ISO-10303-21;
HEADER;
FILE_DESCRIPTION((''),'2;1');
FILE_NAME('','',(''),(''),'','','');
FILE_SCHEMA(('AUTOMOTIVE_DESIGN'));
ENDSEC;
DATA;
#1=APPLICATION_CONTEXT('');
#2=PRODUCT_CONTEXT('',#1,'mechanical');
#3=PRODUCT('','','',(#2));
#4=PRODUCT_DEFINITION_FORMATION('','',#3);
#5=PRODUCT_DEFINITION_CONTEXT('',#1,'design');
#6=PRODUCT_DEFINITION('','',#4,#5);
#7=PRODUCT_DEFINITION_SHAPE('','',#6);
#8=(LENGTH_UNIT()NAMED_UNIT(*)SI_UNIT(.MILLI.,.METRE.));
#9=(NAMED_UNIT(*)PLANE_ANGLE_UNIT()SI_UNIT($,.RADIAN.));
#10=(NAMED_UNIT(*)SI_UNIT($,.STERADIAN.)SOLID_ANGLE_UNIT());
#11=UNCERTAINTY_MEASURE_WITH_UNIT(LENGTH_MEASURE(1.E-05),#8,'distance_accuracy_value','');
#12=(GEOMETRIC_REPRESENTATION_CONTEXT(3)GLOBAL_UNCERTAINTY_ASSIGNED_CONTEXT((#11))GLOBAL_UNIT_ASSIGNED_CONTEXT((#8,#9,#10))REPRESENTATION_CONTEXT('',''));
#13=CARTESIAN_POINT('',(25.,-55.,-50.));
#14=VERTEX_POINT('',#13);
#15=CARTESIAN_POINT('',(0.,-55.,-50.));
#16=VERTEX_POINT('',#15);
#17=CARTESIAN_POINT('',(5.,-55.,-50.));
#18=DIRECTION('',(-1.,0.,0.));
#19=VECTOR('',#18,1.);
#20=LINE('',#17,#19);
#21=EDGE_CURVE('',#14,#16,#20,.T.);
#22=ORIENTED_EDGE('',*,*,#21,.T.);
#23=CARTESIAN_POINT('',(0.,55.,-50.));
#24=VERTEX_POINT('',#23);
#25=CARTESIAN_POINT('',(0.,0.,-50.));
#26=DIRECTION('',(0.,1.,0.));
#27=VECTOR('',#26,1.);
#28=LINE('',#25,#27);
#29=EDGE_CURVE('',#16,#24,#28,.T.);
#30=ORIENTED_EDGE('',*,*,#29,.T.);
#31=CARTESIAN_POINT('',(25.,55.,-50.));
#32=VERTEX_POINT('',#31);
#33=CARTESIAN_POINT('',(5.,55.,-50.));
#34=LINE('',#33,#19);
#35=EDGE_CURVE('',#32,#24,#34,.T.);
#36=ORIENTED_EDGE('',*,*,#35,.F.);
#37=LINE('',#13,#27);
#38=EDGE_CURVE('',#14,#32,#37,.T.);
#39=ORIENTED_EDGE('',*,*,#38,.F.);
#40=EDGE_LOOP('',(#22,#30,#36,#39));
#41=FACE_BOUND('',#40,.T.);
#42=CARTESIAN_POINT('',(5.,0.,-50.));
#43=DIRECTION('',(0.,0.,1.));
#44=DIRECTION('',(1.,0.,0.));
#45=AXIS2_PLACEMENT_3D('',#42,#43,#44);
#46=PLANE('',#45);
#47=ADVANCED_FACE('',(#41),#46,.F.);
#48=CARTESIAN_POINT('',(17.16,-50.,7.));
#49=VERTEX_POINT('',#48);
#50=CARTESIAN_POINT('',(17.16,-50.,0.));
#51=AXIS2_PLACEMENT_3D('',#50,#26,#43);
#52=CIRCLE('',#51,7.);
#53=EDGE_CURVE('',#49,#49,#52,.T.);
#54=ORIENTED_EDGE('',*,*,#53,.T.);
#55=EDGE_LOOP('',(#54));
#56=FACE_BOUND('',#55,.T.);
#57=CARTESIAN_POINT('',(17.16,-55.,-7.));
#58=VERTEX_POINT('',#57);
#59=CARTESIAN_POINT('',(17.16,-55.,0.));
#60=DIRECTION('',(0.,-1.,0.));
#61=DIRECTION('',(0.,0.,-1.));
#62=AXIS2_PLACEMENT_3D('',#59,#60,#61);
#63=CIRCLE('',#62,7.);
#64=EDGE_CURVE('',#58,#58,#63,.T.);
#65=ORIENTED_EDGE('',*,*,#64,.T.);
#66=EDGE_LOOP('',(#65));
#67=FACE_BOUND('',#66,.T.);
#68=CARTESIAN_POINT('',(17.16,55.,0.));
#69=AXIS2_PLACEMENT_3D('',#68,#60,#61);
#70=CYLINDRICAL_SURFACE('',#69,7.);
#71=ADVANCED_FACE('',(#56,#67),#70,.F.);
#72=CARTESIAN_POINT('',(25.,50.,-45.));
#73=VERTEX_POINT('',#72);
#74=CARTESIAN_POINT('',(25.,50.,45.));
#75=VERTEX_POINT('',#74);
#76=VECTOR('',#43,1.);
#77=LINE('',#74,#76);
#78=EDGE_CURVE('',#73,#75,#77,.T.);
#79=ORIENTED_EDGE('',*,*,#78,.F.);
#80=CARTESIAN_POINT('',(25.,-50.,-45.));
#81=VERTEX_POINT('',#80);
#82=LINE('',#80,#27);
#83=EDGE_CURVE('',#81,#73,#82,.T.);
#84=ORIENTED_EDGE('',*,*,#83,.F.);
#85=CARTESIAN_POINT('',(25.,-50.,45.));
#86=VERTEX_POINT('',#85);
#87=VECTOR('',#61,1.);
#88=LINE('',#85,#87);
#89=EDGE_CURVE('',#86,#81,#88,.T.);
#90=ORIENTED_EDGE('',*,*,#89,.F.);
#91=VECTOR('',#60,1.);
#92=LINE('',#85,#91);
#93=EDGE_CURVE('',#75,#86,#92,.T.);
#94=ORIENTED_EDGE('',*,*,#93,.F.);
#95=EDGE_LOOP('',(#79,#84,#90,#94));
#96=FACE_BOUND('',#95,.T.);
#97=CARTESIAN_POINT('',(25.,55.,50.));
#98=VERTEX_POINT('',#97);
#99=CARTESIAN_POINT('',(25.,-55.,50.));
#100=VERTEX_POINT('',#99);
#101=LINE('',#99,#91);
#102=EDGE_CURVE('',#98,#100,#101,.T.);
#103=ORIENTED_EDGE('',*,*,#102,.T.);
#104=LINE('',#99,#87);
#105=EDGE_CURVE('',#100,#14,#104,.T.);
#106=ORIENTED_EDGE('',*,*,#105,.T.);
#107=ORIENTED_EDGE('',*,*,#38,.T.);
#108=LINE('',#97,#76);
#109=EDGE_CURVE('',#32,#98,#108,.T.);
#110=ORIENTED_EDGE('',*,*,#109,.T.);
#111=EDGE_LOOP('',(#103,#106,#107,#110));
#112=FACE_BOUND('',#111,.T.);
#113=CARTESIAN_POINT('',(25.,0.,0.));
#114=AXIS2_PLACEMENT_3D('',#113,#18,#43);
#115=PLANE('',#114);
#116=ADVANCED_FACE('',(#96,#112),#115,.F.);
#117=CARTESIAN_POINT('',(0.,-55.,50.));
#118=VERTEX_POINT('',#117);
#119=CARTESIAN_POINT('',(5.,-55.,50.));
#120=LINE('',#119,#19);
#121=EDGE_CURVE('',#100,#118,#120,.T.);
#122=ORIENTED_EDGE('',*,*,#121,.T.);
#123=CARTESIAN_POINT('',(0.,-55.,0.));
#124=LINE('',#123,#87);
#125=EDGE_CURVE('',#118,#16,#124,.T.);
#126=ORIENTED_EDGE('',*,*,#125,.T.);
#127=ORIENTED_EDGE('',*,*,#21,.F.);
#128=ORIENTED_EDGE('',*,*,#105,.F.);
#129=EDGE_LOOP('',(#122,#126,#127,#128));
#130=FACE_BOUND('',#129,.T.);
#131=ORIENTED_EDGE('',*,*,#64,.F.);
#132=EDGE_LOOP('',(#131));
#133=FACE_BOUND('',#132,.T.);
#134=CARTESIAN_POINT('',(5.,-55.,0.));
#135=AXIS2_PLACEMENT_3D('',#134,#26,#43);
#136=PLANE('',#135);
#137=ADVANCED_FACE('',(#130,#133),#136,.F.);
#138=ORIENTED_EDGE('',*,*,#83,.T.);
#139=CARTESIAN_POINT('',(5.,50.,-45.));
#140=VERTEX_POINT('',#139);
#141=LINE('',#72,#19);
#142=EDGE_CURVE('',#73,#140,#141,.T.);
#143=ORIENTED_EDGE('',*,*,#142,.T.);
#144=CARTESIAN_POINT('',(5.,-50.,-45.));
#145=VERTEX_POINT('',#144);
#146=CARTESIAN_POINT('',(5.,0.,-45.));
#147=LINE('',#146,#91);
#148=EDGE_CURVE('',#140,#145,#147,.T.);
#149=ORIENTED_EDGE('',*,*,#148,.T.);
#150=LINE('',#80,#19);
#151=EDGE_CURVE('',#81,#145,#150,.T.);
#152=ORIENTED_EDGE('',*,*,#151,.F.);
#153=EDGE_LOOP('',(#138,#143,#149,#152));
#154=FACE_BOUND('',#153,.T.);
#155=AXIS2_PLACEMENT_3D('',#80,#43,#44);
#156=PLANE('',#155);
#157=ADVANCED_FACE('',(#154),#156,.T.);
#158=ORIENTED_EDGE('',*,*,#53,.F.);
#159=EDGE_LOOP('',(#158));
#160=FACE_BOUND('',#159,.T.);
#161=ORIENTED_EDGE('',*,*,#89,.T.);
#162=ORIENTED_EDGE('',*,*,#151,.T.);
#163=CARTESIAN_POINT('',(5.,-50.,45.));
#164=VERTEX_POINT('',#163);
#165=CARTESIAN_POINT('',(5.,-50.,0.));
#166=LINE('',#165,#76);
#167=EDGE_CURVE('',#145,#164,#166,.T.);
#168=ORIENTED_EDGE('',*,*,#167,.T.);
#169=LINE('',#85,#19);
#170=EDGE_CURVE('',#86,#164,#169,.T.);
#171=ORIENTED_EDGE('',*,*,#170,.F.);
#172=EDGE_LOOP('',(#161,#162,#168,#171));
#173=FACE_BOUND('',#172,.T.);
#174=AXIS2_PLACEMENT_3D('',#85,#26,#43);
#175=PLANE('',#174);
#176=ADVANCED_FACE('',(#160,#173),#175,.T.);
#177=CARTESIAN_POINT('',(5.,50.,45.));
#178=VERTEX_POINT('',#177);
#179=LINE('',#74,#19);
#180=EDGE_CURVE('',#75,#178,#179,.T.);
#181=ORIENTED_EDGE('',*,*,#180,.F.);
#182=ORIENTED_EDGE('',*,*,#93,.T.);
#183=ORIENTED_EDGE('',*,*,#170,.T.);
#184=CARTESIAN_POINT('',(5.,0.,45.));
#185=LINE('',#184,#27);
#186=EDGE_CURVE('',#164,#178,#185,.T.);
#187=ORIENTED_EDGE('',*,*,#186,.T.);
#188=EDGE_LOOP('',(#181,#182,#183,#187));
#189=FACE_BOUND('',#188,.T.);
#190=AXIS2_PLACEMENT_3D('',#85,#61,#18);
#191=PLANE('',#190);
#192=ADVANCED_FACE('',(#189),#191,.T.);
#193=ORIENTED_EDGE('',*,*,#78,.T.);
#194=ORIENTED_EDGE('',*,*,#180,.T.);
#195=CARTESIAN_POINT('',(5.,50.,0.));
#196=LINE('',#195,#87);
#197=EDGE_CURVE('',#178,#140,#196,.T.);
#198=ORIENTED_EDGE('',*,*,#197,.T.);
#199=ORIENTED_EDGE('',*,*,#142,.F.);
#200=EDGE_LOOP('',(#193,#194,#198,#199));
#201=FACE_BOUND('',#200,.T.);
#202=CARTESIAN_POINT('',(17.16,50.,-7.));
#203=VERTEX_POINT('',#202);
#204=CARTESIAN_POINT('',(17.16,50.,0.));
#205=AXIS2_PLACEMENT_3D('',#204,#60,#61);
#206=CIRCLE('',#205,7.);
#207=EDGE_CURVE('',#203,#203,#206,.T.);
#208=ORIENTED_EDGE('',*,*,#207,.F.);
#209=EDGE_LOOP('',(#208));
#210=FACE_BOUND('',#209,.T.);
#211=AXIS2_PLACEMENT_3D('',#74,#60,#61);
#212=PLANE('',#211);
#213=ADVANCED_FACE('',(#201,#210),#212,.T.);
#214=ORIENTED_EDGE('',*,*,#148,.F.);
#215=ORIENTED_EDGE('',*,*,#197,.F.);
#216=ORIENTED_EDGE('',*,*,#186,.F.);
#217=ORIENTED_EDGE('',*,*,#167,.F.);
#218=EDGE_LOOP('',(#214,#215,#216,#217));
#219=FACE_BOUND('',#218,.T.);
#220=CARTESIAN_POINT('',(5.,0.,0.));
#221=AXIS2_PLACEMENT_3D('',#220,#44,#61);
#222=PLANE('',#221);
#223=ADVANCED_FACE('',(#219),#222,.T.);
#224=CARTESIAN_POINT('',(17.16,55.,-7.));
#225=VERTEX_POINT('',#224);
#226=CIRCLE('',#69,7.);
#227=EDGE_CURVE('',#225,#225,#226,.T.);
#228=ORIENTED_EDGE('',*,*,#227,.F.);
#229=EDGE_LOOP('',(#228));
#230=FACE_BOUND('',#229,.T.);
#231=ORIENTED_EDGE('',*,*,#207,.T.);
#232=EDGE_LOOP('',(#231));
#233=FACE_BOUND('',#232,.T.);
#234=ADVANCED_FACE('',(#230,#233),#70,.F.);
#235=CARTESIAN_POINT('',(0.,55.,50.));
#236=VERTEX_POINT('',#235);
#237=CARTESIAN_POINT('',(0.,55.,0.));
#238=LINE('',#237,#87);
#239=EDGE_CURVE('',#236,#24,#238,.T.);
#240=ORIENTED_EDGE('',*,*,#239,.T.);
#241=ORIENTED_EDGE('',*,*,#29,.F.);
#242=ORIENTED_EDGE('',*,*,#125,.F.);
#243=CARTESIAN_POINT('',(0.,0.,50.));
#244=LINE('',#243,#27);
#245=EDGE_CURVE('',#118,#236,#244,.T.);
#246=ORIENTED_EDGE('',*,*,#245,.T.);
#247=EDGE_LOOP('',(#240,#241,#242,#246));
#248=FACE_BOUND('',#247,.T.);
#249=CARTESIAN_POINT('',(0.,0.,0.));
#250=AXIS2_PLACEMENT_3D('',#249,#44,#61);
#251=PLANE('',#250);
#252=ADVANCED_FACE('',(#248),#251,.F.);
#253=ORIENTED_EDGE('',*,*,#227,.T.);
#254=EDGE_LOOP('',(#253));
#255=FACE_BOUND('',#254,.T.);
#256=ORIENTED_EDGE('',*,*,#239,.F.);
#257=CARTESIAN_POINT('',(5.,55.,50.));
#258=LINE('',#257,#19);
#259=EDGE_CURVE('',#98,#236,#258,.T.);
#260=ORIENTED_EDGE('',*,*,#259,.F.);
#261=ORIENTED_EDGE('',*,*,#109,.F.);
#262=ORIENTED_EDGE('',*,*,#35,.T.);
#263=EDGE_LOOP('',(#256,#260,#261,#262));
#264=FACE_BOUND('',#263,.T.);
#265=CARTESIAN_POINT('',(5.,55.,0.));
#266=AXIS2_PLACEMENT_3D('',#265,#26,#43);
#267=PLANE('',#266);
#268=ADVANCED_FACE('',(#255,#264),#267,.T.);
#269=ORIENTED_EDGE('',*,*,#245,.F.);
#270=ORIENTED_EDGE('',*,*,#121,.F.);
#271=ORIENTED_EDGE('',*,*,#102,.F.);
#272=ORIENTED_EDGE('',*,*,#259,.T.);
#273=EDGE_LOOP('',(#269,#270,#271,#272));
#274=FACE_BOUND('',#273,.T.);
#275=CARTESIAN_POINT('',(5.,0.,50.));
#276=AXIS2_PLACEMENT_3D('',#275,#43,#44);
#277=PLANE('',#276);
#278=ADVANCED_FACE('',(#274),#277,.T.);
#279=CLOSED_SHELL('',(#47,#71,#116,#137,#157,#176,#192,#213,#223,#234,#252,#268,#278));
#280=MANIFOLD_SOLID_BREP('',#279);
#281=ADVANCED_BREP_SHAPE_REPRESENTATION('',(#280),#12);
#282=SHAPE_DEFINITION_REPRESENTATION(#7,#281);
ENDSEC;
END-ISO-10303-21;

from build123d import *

# Parameters (mm, degrees)
SKETCH2_W           = 100
SKETCH2_H           = 110
BOSS_EXTRUDE1_DEPTH = 5
SKETCH2_3_W         = 100
SKETCH2_3_H         = 110
SKETCH2_3_W_2       = 90
SKETCH2_3_H_2       = 100
BOSS_EXTRUDE2_DEPTH = 25
SKETCH3_R           = 7
CUT_EXTRUDE1_DEPTH  = 124.389626793


with BuildPart() as part:
    # Sketch2 → Boss-Extrude1 (new body)
    with BuildSketch(Plane(origin=(0, 0, 0), x_dir=(0, 0, -1), z_dir=(1, 0, 0))):
        Rectangle(SKETCH2_W, SKETCH2_H)
    extrude(amount=BOSS_EXTRUDE1_DEPTH)

    # Sketch2<3> → Boss-Extrude2 (add)
    with BuildSketch(Plane(origin=(0, 0, 0), x_dir=(0, 0, -1), z_dir=(1, 0, 0))):
        Rectangle(SKETCH2_3_W, SKETCH2_3_H)
        Rectangle(SKETCH2_3_W_2, SKETCH2_3_H_2, mode=Mode.SUBTRACT)
    extrude(amount=BOSS_EXTRUDE2_DEPTH)

    # Sketch3 → Cut-Extrude1 (cut, through all)
    with BuildSketch(Plane.XZ.offset(55)):
        with Locations((17.16, 0)):
            Circle(SKETCH3_R)
    extrude(amount=-CUT_EXTRUDE1_DEPTH, mode=Mode.SUBTRACT)


solid = part.part
